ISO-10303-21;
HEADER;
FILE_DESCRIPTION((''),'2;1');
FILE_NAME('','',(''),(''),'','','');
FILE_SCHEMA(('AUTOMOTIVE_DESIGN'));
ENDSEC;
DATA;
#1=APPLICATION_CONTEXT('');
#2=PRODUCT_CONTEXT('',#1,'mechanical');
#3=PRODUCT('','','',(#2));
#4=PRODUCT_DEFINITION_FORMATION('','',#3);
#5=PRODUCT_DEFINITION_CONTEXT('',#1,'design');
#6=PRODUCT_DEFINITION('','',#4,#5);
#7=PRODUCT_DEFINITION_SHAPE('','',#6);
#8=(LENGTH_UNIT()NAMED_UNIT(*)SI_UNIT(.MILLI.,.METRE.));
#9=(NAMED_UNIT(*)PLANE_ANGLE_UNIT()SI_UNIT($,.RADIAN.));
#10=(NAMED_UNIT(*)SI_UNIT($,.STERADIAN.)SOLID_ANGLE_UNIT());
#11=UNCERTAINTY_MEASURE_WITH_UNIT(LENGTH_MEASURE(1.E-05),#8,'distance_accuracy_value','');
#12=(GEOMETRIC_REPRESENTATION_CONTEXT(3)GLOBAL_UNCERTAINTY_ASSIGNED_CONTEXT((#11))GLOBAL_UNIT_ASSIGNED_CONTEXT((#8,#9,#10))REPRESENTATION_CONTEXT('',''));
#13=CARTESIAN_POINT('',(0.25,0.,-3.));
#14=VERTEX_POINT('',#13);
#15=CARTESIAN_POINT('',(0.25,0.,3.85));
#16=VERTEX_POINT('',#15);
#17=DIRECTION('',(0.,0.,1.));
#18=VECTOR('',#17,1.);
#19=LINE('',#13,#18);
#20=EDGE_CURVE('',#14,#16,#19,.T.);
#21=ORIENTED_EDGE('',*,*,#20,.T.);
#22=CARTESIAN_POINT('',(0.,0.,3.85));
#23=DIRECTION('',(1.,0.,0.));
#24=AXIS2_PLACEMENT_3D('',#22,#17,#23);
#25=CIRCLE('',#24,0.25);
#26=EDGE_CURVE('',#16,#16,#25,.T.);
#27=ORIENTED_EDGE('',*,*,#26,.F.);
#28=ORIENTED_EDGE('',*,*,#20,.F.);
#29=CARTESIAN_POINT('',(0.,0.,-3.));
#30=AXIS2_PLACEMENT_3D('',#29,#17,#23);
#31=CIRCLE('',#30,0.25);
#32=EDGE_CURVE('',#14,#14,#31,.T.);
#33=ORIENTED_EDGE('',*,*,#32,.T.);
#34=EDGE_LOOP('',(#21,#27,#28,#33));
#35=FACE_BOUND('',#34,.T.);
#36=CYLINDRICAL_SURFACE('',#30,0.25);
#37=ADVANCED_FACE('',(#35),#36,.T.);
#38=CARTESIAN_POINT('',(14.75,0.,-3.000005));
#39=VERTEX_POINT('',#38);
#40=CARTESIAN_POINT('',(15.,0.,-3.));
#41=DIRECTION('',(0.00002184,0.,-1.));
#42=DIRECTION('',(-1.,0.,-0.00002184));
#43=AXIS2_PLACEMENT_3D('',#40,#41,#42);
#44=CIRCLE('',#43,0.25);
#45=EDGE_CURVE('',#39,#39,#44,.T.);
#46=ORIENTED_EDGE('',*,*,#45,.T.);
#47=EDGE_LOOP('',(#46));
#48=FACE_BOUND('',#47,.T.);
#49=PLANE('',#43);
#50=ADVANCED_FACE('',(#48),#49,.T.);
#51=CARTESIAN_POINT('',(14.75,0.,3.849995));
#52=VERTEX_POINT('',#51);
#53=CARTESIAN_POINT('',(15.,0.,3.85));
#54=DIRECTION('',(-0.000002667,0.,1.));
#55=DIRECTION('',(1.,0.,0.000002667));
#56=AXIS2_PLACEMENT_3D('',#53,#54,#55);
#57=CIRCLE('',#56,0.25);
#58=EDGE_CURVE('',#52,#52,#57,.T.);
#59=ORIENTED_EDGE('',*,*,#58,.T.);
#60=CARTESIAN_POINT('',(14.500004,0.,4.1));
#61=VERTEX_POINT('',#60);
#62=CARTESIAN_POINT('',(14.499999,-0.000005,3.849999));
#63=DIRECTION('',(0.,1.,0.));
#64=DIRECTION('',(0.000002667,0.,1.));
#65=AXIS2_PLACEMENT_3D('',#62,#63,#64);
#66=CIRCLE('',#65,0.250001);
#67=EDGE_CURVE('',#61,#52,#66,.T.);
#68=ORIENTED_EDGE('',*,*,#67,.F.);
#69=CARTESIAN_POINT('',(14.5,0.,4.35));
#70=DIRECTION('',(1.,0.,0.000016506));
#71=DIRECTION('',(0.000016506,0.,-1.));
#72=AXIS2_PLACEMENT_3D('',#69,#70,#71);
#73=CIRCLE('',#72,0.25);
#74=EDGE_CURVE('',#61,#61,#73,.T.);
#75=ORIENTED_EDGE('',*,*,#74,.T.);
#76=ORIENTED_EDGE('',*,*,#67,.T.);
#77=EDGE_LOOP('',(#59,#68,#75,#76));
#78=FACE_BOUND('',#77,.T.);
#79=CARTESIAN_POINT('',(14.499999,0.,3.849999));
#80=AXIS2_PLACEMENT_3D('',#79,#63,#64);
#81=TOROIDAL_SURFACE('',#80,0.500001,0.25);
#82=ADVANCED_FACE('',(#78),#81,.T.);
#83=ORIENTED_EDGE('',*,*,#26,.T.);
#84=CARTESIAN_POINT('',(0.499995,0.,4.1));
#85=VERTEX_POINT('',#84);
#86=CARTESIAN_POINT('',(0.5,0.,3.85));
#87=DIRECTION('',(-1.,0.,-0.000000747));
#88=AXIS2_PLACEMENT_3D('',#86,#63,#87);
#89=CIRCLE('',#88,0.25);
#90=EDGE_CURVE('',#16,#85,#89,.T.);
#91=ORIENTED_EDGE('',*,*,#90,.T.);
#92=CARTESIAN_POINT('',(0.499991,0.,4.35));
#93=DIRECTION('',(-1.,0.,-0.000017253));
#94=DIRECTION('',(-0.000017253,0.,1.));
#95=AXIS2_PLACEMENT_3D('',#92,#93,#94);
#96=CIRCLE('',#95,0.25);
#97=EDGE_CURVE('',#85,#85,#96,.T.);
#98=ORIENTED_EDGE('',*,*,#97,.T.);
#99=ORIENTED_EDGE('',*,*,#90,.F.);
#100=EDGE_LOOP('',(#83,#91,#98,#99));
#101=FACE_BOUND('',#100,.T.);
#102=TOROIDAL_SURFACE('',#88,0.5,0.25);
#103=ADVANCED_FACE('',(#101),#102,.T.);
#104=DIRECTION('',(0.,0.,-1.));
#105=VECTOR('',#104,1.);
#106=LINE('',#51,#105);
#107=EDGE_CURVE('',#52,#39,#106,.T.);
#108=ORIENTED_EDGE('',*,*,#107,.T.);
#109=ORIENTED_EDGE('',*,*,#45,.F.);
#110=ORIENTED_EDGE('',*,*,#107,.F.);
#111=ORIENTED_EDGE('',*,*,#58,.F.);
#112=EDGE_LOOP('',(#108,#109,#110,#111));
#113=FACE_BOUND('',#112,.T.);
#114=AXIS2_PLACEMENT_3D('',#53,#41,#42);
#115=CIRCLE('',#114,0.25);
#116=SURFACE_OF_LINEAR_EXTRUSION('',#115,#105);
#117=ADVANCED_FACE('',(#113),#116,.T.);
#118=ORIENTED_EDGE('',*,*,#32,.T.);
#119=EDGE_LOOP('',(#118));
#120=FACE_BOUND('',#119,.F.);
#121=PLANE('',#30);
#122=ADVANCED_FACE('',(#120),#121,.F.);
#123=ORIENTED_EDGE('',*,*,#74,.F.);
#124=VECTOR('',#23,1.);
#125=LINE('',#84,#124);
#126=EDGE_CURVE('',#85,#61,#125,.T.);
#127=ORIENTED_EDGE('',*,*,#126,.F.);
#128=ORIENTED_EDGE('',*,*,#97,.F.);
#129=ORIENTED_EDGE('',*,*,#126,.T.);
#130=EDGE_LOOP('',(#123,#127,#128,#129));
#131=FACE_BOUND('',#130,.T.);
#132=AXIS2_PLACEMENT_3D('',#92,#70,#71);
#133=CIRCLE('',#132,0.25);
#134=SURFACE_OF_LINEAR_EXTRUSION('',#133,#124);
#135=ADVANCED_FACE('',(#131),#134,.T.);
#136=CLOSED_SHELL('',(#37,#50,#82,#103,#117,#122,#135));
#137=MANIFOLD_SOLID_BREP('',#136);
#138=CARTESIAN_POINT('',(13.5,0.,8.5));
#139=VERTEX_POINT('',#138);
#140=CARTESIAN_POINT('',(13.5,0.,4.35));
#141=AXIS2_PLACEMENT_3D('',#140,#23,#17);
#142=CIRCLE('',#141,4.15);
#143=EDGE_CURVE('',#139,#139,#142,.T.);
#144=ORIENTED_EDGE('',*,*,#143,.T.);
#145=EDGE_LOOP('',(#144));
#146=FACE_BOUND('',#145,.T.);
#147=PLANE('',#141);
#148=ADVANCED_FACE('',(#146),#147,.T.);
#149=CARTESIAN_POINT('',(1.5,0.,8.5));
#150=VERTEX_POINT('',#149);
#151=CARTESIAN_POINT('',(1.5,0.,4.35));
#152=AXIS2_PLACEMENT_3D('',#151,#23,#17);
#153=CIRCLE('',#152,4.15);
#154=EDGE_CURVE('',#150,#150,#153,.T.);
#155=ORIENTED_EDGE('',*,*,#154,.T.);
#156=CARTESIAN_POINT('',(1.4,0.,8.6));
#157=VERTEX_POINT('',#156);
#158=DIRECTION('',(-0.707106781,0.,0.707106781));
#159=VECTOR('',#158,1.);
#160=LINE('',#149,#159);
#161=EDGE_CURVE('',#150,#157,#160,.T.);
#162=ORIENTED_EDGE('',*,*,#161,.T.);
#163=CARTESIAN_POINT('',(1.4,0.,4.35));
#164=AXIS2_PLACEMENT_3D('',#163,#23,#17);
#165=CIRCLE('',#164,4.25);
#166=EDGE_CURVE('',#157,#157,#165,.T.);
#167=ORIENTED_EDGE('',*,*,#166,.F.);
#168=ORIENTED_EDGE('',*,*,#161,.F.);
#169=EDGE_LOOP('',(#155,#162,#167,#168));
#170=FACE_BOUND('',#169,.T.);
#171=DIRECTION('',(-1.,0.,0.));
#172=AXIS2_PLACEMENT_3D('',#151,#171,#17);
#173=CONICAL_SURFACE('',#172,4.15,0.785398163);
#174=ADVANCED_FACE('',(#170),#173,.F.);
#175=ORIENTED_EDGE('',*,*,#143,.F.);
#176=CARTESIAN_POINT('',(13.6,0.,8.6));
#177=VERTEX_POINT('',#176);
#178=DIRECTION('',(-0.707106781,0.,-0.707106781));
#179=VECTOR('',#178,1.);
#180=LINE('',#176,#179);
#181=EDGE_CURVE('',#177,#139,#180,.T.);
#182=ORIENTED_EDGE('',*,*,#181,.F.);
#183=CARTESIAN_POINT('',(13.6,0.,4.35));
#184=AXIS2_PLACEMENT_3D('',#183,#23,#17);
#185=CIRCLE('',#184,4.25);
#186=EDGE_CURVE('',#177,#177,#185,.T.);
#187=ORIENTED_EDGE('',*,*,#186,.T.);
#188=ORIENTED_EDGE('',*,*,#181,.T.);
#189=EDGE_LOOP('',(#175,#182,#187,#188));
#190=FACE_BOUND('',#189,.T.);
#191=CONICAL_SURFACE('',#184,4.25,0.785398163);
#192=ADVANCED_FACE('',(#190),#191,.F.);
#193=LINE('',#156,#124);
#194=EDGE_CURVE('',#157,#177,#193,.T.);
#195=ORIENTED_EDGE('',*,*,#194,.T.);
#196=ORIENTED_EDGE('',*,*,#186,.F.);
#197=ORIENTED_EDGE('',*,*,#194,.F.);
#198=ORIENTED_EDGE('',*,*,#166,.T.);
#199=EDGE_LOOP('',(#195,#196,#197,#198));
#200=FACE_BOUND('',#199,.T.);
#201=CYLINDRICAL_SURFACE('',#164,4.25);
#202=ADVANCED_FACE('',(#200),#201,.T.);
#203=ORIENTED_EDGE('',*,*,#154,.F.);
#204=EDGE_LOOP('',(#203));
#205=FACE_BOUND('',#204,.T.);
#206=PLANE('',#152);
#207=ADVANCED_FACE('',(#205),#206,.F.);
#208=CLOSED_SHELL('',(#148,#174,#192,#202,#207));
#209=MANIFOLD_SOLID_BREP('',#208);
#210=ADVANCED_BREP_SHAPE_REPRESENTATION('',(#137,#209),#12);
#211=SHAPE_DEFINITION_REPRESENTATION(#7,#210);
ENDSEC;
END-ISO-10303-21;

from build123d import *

# Parameters (mm, degrees)
SKETCH_R = 0.25


with BuildPart() as sweep_body:
    # Sweep: sweep along a path in Sketch001
    with BuildLine(Plane.XZ) as sweep_path:
        Line((0, -3), (0, 3.85))
        ThreePointArc((0, 3.85), (0.146443, 4.20355), (0.499991, 4.35))
        Line((0.499991, 4.35), (14.5, 4.35))
        ThreePointArc((14.5, 4.35), (14.853553, 4.203553), (15, 3.85))
        Line((15, 3.85), (15, -3))
    # Sketch → Sweep (sweep)
    with BuildSketch(Plane.XY.offset(-2)):
        Circle(SKETCH_R)
    sweep(path=sweep_path.line)


with BuildPart() as revolution:
    # Sketch002 → Revolution (revolve)
    with BuildSketch(Plane.XZ):
        Polygon((1.4, 8.6), (13.6, 8.6), (13.5, 8.5), (13.5, 4.35), (1.5, 4.35), (1.5, 8.5), align=None)
    revolve(axis=Axis((7.611803, 0, 4.35), (1, 0, 0)))


solid = Compound([sweep_body.part, revolution.part])
